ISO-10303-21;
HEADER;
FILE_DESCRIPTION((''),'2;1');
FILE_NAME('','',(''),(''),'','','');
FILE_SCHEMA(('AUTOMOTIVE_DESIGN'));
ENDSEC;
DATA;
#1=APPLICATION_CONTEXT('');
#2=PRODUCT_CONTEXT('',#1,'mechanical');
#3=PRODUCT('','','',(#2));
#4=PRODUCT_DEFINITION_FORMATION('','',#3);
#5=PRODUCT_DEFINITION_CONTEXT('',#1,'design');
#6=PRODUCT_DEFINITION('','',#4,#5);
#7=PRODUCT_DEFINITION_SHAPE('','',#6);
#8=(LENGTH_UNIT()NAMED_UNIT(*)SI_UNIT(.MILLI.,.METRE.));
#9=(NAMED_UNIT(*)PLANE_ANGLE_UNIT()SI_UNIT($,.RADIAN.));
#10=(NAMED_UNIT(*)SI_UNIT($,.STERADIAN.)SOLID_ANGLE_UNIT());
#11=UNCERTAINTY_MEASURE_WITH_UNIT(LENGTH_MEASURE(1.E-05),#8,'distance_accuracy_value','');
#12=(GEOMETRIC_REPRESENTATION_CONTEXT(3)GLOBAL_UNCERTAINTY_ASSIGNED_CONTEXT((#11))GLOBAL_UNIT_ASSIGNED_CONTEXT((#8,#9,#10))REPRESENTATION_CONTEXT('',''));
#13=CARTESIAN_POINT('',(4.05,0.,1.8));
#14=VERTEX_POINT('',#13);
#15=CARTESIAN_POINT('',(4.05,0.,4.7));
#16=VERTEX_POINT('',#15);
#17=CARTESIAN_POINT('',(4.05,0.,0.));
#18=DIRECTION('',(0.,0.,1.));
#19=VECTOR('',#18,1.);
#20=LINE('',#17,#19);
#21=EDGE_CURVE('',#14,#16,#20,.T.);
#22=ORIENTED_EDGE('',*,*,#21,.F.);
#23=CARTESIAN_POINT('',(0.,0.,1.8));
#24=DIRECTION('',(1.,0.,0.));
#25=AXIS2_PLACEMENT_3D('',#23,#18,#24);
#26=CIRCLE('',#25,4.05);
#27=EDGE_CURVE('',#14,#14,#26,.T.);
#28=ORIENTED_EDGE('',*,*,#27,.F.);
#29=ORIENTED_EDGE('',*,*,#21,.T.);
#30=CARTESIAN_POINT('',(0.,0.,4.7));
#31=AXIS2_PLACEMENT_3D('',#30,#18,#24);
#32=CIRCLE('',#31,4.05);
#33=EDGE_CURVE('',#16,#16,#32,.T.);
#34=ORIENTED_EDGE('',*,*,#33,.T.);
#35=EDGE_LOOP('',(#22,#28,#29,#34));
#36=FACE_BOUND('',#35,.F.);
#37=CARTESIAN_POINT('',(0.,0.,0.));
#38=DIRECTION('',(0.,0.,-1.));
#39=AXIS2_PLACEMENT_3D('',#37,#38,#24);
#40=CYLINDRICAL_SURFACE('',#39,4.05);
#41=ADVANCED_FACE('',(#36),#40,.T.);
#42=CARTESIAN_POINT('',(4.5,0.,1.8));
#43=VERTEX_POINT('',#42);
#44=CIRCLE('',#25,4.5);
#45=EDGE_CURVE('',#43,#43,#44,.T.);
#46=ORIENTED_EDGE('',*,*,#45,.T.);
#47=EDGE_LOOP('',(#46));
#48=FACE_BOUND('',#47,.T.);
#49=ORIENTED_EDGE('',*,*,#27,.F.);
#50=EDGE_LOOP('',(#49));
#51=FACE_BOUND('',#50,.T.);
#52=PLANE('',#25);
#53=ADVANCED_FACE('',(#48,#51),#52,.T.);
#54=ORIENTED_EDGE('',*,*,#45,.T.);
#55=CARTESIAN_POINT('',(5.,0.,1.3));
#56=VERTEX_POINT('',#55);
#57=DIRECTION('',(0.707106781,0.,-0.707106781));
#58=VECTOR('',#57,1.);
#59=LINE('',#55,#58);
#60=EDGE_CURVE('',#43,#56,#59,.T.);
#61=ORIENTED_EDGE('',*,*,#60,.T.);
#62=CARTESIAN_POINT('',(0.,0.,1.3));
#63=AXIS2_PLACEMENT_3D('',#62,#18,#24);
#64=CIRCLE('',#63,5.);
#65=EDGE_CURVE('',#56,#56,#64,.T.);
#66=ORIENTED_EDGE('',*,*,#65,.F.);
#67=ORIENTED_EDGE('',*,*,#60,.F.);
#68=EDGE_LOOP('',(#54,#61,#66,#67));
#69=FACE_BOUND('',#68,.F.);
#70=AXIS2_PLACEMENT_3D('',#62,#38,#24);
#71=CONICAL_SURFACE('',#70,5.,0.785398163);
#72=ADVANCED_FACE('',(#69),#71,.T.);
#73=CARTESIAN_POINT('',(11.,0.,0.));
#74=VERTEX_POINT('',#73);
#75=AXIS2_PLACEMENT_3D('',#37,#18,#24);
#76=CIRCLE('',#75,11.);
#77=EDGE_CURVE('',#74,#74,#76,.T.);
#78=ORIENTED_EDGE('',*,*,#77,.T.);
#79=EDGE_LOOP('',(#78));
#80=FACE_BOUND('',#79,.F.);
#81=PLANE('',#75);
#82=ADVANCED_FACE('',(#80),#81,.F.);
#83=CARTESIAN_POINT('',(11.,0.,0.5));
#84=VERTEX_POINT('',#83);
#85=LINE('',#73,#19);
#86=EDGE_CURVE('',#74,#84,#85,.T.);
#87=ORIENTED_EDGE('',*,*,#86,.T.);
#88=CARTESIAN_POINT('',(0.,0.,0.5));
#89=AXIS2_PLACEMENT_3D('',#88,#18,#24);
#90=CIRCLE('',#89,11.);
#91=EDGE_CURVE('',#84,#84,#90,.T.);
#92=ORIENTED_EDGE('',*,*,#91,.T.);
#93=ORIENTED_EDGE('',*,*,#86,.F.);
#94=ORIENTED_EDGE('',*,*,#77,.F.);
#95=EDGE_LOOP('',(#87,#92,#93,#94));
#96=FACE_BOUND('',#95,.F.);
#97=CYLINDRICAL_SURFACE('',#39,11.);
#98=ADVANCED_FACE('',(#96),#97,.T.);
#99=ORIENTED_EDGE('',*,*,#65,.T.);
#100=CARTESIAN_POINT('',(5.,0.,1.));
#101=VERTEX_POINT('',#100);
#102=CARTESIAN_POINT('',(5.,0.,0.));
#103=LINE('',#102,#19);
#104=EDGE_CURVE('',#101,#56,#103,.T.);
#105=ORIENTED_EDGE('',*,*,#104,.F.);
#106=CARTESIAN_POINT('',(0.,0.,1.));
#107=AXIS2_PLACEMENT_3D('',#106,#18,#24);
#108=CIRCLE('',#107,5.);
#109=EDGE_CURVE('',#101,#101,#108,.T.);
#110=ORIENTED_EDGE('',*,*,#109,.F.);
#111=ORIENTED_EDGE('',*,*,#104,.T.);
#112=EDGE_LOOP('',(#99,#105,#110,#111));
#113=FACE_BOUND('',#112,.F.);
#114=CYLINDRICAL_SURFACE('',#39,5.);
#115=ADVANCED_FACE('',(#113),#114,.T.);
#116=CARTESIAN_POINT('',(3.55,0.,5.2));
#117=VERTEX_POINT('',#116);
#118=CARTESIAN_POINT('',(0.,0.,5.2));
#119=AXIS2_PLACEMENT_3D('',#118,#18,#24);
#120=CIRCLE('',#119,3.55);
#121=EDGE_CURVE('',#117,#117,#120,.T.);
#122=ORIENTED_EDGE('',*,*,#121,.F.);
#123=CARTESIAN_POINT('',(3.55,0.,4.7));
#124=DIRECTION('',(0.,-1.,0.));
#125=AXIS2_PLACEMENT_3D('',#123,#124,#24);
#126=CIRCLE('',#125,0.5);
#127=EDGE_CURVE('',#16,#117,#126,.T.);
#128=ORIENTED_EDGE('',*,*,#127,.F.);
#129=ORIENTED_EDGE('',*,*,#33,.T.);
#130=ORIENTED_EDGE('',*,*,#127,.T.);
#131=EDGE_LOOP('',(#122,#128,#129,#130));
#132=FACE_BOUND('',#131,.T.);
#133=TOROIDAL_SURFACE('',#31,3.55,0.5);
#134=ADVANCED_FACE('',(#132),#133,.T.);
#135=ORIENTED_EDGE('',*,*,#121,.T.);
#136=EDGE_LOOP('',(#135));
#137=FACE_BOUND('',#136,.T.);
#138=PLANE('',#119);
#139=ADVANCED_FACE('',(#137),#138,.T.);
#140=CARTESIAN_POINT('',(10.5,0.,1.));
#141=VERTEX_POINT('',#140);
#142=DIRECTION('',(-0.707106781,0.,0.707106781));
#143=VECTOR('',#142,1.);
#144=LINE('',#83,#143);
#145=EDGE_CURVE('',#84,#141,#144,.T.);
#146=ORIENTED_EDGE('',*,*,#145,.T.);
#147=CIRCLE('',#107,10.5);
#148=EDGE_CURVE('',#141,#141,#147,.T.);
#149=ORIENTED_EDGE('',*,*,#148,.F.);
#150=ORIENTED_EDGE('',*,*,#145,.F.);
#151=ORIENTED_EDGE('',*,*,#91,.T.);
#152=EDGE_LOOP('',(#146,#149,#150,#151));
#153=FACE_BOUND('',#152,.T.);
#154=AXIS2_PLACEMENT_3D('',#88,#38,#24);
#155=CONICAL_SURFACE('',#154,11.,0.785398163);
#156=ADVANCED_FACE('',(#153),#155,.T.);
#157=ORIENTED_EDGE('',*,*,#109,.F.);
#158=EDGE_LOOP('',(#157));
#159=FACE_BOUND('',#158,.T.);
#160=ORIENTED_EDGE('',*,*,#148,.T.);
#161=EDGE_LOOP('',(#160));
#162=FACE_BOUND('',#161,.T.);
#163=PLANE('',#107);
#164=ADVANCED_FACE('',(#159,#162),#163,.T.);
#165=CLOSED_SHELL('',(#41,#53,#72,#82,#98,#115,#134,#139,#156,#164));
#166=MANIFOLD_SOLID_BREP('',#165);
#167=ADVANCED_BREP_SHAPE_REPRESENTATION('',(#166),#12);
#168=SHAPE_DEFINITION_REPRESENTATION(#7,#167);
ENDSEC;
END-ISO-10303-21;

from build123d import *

# Parameters (mm, degrees)
F0_R     = 11
F0_R_2   = 5
F1_DEPTH = 1
F2_SIZE  = 0.5
F0_R_3   = 4.05
F3_DEPTH = 1.8
F4_DEPTH = 5.2
F5_R     = 0.5
F6_SIZE  = 0.5


with BuildPart() as f1:
    # F0 (on Top) → F1 (new body)
    with BuildSketch(Plane.XY):
        Circle(F0_R)
        Circle(F0_R_2, mode=Mode.SUBTRACT)
    extrude(amount=F1_DEPTH)

    # F2
    f2_edges = [f1.edges().sort_by_distance(p)[0] for p in [
        (-11, 0, 1),
    ]]
    chamfer(f2_edges, length=F2_SIZE)

    # F0 (on Top) → F3 (join)
    with BuildSketch(Plane.XY):
        Circle(F0_R_2)
        Circle(F0_R_3, mode=Mode.SUBTRACT)
    extrude(amount=F3_DEPTH)

    # F0 (on Top) → F4 (join)
    with BuildSketch(Plane.XY):
        Circle(F0_R_3)
    extrude(amount=F4_DEPTH)

    # F5
    f5_edges = [f1.edges().sort_by_distance(p)[0] for p in [
        (-4.05, 0, 5.2),
    ]]
    fillet(f5_edges, radius=F5_R)

    # F6
    f6_edges = [f1.edges().sort_by_distance(p)[0] for p in [
        (-5, 0, 1.8),
    ]]
    chamfer(f6_edges, length=F6_SIZE)


solid = f1.part
